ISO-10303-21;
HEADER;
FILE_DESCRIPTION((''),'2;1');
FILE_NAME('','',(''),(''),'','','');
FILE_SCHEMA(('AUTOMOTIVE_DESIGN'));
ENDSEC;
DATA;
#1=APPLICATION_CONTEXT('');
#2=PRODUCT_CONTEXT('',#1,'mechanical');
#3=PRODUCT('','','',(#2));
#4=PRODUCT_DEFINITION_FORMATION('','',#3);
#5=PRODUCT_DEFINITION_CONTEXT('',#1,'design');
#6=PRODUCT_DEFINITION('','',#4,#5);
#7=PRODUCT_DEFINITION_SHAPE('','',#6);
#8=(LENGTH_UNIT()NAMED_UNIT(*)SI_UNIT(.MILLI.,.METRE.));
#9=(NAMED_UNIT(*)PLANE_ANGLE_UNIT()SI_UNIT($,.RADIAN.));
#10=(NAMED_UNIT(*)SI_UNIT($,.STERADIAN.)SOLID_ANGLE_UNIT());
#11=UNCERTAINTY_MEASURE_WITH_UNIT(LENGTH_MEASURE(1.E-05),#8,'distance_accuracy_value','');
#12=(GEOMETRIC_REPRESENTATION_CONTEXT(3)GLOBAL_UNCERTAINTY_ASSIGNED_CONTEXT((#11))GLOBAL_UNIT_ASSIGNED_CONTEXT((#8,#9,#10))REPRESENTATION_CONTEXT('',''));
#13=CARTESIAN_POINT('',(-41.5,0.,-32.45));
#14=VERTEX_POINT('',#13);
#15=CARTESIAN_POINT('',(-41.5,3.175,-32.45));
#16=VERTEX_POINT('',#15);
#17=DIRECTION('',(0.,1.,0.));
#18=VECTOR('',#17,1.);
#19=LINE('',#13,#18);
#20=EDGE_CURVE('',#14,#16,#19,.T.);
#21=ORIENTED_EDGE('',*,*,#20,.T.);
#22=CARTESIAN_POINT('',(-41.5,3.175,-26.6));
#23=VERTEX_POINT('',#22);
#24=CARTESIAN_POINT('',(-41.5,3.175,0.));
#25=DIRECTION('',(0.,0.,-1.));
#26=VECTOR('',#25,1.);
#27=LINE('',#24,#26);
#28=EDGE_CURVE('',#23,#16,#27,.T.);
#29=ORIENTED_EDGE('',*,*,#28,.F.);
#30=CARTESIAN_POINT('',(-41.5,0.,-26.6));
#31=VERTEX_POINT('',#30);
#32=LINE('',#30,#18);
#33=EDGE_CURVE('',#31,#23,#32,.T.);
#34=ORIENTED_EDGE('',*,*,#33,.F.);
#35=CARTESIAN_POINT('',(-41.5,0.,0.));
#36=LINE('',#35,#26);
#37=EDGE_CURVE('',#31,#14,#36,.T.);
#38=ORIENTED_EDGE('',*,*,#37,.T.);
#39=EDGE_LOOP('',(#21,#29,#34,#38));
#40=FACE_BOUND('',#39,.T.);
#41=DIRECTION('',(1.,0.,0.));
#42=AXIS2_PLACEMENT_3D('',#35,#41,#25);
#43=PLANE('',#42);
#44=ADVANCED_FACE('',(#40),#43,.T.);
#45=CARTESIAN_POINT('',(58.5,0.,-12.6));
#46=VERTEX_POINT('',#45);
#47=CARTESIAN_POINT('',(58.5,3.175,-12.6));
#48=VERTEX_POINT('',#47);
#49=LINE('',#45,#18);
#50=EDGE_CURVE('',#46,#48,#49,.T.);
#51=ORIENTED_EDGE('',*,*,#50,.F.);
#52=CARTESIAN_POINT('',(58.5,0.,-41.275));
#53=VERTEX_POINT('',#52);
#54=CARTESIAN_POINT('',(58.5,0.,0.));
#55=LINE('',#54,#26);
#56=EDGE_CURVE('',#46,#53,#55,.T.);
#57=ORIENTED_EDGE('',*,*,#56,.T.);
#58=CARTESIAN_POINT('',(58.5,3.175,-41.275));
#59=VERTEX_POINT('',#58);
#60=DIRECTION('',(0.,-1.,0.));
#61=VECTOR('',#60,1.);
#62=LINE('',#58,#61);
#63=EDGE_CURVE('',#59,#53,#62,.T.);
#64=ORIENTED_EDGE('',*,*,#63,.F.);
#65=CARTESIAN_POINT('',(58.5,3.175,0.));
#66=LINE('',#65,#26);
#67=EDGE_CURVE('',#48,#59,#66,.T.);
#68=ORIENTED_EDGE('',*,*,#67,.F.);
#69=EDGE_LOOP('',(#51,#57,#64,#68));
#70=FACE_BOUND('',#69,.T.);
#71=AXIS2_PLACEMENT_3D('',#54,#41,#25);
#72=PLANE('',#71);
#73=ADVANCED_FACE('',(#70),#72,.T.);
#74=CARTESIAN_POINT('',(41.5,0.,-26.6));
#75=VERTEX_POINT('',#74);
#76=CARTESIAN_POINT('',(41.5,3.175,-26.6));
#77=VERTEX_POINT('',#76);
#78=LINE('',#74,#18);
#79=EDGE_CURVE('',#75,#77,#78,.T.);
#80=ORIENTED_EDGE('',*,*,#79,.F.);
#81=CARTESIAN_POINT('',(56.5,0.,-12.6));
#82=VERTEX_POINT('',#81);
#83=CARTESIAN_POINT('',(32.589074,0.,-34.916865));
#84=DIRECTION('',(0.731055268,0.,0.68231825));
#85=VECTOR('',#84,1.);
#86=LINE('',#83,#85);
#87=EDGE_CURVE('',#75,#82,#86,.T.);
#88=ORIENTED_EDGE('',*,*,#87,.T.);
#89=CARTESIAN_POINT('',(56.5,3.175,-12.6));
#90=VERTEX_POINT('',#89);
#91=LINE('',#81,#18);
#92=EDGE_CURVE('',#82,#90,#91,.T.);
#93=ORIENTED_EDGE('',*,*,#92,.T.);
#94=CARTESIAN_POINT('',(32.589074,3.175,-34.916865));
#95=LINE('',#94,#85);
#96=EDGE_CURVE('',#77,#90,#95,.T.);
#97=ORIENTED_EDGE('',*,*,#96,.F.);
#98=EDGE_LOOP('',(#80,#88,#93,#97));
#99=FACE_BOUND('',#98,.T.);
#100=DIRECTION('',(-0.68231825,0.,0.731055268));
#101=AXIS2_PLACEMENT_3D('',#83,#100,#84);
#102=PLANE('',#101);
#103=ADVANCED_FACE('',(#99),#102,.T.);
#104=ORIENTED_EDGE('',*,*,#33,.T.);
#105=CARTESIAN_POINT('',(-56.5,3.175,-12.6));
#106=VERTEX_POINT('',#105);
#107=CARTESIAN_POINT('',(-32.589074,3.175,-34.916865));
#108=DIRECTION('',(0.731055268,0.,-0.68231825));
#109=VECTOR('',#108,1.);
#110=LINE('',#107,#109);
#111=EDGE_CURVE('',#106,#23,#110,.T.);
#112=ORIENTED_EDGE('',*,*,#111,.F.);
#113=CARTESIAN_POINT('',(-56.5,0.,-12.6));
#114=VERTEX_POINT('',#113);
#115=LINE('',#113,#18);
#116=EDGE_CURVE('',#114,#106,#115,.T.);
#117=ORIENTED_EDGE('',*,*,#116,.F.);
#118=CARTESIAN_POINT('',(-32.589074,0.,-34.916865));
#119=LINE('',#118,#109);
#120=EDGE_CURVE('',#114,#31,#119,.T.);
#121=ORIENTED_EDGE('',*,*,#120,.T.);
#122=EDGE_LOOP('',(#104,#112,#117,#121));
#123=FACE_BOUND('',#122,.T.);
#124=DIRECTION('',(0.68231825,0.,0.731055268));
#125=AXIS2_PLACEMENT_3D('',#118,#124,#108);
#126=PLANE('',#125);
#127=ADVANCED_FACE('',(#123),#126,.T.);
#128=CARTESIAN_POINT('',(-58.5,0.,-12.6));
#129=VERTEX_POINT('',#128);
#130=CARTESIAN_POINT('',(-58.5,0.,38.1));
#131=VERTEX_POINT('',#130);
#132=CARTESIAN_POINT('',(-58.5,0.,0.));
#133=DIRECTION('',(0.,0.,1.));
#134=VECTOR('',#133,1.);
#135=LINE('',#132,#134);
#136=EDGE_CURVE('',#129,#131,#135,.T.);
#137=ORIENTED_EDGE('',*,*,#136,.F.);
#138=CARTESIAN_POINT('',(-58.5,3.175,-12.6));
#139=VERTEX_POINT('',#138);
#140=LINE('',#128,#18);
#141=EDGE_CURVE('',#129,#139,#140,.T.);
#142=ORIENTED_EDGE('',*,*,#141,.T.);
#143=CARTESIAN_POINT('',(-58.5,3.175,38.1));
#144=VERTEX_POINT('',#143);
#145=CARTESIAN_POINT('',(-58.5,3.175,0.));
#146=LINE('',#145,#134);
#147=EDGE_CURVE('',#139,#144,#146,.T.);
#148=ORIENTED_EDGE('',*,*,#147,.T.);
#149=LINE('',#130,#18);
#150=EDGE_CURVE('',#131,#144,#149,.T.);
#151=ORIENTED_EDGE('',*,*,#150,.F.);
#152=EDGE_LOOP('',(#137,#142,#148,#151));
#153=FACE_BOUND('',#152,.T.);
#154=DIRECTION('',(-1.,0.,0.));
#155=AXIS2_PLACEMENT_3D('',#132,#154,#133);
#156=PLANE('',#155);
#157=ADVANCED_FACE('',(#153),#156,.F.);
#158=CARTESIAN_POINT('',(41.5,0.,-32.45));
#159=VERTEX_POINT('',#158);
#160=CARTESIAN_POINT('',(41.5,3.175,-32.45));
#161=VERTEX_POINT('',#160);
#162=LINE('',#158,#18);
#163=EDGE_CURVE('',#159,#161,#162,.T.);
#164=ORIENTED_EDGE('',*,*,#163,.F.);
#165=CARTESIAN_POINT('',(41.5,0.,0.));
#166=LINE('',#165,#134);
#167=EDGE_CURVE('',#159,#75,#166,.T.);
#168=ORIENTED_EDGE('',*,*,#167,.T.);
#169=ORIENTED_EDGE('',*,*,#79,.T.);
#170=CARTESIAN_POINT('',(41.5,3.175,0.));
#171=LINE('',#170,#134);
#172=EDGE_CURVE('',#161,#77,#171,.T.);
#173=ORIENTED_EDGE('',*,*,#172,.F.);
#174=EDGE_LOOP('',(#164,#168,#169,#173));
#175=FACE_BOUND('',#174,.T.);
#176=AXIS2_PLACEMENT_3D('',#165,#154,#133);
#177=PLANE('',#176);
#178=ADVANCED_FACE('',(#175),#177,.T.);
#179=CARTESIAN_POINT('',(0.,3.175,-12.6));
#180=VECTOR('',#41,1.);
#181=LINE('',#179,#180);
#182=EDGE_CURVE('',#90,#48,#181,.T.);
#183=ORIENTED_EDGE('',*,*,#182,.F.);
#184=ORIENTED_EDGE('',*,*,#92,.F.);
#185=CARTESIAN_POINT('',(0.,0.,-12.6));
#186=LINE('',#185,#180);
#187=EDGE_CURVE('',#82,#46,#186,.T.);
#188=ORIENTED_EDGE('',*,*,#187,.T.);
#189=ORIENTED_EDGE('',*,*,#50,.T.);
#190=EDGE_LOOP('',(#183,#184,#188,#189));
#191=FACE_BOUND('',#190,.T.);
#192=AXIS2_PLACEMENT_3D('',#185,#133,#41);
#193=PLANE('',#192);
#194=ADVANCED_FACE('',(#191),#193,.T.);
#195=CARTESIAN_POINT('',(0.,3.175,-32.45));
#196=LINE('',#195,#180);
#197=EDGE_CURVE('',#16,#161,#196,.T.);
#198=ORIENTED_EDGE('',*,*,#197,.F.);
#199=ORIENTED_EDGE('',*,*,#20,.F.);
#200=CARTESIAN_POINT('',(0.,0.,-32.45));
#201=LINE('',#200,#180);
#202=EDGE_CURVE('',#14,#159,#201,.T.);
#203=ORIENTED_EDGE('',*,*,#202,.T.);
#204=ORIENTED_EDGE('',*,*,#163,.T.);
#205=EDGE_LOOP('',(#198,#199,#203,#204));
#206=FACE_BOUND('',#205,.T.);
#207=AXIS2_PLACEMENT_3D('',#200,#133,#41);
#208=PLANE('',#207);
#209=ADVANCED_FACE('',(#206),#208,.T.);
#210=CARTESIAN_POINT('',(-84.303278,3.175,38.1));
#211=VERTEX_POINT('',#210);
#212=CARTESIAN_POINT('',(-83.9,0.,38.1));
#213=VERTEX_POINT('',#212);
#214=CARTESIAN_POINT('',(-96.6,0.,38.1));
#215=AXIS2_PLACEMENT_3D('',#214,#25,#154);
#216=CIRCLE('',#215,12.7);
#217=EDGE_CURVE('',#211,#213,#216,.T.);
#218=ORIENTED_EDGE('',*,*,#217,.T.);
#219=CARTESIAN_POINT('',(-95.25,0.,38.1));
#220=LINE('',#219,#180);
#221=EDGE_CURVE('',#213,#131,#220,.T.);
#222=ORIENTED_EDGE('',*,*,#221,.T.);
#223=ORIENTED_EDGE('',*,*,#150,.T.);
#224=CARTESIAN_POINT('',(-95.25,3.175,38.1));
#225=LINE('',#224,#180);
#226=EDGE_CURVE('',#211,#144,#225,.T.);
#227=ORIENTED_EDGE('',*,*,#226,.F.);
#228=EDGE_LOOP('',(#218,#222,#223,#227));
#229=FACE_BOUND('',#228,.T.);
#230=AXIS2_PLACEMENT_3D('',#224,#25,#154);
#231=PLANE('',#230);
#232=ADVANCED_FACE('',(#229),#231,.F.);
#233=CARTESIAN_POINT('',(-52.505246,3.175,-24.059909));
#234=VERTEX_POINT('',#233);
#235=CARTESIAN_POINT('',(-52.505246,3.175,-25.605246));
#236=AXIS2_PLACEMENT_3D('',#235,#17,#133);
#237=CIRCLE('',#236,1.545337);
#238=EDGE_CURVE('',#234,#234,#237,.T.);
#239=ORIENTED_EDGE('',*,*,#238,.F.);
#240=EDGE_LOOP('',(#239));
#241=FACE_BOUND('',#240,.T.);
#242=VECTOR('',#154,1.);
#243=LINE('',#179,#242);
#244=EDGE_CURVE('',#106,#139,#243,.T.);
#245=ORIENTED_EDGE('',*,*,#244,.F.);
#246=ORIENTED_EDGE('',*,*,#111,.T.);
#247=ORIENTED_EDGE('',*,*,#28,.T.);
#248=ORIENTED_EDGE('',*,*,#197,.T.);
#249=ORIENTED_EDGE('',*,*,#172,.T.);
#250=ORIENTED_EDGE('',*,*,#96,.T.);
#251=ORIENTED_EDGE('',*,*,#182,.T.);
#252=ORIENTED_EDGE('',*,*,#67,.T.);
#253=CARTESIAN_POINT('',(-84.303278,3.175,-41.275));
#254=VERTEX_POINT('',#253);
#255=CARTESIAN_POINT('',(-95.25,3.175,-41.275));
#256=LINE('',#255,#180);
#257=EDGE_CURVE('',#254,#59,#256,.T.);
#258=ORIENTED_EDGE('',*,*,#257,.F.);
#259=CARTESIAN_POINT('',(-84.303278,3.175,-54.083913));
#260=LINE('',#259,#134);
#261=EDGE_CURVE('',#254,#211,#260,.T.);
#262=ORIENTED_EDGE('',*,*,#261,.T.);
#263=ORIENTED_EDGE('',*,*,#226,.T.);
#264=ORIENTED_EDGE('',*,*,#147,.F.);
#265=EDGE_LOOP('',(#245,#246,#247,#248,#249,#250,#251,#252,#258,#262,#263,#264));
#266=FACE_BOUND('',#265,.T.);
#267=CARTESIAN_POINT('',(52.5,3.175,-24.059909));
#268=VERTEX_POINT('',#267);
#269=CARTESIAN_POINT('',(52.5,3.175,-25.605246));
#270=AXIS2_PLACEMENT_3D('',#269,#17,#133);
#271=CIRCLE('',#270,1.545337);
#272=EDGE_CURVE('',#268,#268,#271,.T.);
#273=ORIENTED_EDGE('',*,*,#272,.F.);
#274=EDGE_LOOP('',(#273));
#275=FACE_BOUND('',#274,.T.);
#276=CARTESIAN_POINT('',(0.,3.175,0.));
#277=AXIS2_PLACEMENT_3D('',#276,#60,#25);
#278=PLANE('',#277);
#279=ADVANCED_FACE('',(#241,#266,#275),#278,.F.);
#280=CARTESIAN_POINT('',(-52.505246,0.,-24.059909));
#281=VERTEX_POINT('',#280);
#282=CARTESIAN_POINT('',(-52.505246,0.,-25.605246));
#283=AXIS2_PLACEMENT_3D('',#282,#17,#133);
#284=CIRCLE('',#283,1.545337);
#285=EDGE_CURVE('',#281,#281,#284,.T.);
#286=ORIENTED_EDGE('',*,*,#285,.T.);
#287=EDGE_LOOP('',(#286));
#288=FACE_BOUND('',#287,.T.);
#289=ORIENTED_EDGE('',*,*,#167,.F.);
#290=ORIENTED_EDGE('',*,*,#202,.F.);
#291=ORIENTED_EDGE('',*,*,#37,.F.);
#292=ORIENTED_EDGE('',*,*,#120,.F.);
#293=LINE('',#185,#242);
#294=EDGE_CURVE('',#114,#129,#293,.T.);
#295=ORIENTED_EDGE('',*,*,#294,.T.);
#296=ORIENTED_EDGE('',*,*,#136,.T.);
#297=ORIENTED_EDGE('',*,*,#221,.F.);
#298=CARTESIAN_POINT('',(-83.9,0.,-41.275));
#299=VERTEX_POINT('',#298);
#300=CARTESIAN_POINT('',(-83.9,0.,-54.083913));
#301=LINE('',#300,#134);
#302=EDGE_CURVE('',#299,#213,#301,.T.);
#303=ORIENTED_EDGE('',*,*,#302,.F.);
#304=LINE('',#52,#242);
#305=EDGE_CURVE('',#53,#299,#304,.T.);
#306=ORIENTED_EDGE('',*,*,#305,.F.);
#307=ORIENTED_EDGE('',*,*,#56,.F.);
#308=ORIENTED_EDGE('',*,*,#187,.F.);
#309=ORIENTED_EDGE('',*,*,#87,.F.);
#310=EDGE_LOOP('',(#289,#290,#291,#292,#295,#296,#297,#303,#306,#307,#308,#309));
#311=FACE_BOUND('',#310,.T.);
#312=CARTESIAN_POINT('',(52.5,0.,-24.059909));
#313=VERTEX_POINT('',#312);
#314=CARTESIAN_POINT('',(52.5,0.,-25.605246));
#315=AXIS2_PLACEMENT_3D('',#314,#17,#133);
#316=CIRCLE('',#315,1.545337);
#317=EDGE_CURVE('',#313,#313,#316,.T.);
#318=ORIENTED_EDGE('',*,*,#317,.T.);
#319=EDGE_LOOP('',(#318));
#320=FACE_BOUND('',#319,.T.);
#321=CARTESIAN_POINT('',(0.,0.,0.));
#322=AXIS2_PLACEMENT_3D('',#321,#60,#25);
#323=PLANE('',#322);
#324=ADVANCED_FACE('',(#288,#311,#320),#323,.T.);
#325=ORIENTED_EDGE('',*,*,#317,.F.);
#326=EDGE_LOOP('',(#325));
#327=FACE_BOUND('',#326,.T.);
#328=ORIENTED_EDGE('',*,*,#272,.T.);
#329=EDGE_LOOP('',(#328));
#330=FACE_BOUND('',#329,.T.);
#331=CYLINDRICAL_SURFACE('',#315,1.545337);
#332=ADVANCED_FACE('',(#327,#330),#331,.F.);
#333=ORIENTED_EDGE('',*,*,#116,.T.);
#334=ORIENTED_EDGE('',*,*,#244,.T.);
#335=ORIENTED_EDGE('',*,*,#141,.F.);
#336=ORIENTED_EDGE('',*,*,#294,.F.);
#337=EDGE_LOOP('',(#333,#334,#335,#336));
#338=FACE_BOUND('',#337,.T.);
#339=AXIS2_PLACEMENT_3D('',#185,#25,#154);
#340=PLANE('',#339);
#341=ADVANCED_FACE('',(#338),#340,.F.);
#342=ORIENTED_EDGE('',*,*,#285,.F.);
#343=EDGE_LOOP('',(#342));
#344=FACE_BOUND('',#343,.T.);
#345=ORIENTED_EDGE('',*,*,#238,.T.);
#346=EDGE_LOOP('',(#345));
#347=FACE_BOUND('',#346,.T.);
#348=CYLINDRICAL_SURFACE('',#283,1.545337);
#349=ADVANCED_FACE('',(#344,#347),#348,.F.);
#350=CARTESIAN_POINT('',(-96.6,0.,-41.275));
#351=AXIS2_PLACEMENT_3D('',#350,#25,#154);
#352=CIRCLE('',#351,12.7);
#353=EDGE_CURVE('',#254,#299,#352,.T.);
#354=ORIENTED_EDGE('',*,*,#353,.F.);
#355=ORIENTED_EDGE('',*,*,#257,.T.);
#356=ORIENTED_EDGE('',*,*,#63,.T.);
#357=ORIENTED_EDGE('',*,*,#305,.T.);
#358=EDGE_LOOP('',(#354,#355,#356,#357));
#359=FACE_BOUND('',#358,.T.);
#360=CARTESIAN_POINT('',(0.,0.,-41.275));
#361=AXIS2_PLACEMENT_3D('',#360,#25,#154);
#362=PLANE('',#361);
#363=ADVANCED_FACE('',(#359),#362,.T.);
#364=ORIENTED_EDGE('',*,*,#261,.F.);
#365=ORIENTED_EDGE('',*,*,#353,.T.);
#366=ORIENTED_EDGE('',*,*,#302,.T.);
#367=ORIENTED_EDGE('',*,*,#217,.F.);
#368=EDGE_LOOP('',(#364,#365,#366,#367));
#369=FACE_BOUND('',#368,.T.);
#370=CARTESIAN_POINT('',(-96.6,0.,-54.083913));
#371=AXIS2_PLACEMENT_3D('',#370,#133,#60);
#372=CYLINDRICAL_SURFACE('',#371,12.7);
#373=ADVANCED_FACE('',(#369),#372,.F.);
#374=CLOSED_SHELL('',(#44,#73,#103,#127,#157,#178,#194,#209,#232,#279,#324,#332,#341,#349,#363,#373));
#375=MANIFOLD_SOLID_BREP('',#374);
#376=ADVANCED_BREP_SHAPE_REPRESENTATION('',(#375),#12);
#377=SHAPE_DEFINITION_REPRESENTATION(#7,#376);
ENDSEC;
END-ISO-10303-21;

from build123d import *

# Parameters (mm, degrees)
SKETCH1_W            = 190.5
SKETCH1_H            = 76.2
BOSS_EXTRUDE1_DEPTH  = 3.175
SKETCH2_R            = 1.545336663
CUT_EXTRUDE4_DEPTH   = 4.175
SKETCH3_W            = 153.75
SKETCH3_H            = 3.175
BOSS_EXTRUDE2_DEPTH  = 3.175
CUT_SWEEP1_PROFILE_R = 12.7


with BuildPart() as part:
    # Sketch1 → Boss-Extrude1 (new body)
    with BuildSketch(Plane(origin=(0, 0, 0), x_dir=(1, 0, 0), z_dir=(0, 1, 0))):
        Rectangle(SKETCH1_W, SKETCH1_H)
    extrude(amount=BOSS_EXTRUDE1_DEPTH)

    # Sketch2 → Cut-Extrude4 (cut, through all)
    with BuildSketch(Plane(origin=(0, 3.175, 0), x_dir=(1, 0, 0), z_dir=(0, 1, 0))):
        Polygon((-58.5, 12.6), (-58.5, -38.1), (95.25, -38.1), (95.25, 38.1), (58.5, 38.1), (58.5, 12.6), (56.5, 12.6), (41.5, 26.6), (41.5, 32.45), (-41.5, 32.45), (-41.5, 26.6), (-56.5, 12.6), align=None)
        with Locations((-52.505245516, 25.605245516)):
            Circle(SKETCH2_R)
        with Locations((52.5, 25.605245516)):
            Circle(SKETCH2_R)
    extrude(amount=-CUT_EXTRUDE4_DEPTH, mode=Mode.SUBTRACT)

    # Sketch3 → Boss-Extrude2 (add)
    with BuildSketch(Plane(origin=(0, 0, -38.1), x_dir=(-1, 0, 0), z_dir=(0, 0, -1))):
        with Locations((18.375, 1.5875)):
            Rectangle(SKETCH3_W, SKETCH3_H)
    extrude(amount=BOSS_EXTRUDE2_DEPTH)

    # Cut-Sweep1: sweep along a curve in space
    with BuildLine() as cut_sweep1_path:
        Line((-96.6, 0, -54.083912637), (-96.6, 0, 450.454630794))
    # Cut-Sweep1 profile (on start of the path) → Cut-Sweep1 (sweep, cut)
    with BuildSketch(Plane(origin=(-96.6, 0, -54.083912637), x_dir=(0, 1, 0), z_dir=(0, 0, 1))):
        Circle(CUT_SWEEP1_PROFILE_R)
    sweep(path=cut_sweep1_path.line, mode=Mode.SUBTRACT)


solid = part.part
